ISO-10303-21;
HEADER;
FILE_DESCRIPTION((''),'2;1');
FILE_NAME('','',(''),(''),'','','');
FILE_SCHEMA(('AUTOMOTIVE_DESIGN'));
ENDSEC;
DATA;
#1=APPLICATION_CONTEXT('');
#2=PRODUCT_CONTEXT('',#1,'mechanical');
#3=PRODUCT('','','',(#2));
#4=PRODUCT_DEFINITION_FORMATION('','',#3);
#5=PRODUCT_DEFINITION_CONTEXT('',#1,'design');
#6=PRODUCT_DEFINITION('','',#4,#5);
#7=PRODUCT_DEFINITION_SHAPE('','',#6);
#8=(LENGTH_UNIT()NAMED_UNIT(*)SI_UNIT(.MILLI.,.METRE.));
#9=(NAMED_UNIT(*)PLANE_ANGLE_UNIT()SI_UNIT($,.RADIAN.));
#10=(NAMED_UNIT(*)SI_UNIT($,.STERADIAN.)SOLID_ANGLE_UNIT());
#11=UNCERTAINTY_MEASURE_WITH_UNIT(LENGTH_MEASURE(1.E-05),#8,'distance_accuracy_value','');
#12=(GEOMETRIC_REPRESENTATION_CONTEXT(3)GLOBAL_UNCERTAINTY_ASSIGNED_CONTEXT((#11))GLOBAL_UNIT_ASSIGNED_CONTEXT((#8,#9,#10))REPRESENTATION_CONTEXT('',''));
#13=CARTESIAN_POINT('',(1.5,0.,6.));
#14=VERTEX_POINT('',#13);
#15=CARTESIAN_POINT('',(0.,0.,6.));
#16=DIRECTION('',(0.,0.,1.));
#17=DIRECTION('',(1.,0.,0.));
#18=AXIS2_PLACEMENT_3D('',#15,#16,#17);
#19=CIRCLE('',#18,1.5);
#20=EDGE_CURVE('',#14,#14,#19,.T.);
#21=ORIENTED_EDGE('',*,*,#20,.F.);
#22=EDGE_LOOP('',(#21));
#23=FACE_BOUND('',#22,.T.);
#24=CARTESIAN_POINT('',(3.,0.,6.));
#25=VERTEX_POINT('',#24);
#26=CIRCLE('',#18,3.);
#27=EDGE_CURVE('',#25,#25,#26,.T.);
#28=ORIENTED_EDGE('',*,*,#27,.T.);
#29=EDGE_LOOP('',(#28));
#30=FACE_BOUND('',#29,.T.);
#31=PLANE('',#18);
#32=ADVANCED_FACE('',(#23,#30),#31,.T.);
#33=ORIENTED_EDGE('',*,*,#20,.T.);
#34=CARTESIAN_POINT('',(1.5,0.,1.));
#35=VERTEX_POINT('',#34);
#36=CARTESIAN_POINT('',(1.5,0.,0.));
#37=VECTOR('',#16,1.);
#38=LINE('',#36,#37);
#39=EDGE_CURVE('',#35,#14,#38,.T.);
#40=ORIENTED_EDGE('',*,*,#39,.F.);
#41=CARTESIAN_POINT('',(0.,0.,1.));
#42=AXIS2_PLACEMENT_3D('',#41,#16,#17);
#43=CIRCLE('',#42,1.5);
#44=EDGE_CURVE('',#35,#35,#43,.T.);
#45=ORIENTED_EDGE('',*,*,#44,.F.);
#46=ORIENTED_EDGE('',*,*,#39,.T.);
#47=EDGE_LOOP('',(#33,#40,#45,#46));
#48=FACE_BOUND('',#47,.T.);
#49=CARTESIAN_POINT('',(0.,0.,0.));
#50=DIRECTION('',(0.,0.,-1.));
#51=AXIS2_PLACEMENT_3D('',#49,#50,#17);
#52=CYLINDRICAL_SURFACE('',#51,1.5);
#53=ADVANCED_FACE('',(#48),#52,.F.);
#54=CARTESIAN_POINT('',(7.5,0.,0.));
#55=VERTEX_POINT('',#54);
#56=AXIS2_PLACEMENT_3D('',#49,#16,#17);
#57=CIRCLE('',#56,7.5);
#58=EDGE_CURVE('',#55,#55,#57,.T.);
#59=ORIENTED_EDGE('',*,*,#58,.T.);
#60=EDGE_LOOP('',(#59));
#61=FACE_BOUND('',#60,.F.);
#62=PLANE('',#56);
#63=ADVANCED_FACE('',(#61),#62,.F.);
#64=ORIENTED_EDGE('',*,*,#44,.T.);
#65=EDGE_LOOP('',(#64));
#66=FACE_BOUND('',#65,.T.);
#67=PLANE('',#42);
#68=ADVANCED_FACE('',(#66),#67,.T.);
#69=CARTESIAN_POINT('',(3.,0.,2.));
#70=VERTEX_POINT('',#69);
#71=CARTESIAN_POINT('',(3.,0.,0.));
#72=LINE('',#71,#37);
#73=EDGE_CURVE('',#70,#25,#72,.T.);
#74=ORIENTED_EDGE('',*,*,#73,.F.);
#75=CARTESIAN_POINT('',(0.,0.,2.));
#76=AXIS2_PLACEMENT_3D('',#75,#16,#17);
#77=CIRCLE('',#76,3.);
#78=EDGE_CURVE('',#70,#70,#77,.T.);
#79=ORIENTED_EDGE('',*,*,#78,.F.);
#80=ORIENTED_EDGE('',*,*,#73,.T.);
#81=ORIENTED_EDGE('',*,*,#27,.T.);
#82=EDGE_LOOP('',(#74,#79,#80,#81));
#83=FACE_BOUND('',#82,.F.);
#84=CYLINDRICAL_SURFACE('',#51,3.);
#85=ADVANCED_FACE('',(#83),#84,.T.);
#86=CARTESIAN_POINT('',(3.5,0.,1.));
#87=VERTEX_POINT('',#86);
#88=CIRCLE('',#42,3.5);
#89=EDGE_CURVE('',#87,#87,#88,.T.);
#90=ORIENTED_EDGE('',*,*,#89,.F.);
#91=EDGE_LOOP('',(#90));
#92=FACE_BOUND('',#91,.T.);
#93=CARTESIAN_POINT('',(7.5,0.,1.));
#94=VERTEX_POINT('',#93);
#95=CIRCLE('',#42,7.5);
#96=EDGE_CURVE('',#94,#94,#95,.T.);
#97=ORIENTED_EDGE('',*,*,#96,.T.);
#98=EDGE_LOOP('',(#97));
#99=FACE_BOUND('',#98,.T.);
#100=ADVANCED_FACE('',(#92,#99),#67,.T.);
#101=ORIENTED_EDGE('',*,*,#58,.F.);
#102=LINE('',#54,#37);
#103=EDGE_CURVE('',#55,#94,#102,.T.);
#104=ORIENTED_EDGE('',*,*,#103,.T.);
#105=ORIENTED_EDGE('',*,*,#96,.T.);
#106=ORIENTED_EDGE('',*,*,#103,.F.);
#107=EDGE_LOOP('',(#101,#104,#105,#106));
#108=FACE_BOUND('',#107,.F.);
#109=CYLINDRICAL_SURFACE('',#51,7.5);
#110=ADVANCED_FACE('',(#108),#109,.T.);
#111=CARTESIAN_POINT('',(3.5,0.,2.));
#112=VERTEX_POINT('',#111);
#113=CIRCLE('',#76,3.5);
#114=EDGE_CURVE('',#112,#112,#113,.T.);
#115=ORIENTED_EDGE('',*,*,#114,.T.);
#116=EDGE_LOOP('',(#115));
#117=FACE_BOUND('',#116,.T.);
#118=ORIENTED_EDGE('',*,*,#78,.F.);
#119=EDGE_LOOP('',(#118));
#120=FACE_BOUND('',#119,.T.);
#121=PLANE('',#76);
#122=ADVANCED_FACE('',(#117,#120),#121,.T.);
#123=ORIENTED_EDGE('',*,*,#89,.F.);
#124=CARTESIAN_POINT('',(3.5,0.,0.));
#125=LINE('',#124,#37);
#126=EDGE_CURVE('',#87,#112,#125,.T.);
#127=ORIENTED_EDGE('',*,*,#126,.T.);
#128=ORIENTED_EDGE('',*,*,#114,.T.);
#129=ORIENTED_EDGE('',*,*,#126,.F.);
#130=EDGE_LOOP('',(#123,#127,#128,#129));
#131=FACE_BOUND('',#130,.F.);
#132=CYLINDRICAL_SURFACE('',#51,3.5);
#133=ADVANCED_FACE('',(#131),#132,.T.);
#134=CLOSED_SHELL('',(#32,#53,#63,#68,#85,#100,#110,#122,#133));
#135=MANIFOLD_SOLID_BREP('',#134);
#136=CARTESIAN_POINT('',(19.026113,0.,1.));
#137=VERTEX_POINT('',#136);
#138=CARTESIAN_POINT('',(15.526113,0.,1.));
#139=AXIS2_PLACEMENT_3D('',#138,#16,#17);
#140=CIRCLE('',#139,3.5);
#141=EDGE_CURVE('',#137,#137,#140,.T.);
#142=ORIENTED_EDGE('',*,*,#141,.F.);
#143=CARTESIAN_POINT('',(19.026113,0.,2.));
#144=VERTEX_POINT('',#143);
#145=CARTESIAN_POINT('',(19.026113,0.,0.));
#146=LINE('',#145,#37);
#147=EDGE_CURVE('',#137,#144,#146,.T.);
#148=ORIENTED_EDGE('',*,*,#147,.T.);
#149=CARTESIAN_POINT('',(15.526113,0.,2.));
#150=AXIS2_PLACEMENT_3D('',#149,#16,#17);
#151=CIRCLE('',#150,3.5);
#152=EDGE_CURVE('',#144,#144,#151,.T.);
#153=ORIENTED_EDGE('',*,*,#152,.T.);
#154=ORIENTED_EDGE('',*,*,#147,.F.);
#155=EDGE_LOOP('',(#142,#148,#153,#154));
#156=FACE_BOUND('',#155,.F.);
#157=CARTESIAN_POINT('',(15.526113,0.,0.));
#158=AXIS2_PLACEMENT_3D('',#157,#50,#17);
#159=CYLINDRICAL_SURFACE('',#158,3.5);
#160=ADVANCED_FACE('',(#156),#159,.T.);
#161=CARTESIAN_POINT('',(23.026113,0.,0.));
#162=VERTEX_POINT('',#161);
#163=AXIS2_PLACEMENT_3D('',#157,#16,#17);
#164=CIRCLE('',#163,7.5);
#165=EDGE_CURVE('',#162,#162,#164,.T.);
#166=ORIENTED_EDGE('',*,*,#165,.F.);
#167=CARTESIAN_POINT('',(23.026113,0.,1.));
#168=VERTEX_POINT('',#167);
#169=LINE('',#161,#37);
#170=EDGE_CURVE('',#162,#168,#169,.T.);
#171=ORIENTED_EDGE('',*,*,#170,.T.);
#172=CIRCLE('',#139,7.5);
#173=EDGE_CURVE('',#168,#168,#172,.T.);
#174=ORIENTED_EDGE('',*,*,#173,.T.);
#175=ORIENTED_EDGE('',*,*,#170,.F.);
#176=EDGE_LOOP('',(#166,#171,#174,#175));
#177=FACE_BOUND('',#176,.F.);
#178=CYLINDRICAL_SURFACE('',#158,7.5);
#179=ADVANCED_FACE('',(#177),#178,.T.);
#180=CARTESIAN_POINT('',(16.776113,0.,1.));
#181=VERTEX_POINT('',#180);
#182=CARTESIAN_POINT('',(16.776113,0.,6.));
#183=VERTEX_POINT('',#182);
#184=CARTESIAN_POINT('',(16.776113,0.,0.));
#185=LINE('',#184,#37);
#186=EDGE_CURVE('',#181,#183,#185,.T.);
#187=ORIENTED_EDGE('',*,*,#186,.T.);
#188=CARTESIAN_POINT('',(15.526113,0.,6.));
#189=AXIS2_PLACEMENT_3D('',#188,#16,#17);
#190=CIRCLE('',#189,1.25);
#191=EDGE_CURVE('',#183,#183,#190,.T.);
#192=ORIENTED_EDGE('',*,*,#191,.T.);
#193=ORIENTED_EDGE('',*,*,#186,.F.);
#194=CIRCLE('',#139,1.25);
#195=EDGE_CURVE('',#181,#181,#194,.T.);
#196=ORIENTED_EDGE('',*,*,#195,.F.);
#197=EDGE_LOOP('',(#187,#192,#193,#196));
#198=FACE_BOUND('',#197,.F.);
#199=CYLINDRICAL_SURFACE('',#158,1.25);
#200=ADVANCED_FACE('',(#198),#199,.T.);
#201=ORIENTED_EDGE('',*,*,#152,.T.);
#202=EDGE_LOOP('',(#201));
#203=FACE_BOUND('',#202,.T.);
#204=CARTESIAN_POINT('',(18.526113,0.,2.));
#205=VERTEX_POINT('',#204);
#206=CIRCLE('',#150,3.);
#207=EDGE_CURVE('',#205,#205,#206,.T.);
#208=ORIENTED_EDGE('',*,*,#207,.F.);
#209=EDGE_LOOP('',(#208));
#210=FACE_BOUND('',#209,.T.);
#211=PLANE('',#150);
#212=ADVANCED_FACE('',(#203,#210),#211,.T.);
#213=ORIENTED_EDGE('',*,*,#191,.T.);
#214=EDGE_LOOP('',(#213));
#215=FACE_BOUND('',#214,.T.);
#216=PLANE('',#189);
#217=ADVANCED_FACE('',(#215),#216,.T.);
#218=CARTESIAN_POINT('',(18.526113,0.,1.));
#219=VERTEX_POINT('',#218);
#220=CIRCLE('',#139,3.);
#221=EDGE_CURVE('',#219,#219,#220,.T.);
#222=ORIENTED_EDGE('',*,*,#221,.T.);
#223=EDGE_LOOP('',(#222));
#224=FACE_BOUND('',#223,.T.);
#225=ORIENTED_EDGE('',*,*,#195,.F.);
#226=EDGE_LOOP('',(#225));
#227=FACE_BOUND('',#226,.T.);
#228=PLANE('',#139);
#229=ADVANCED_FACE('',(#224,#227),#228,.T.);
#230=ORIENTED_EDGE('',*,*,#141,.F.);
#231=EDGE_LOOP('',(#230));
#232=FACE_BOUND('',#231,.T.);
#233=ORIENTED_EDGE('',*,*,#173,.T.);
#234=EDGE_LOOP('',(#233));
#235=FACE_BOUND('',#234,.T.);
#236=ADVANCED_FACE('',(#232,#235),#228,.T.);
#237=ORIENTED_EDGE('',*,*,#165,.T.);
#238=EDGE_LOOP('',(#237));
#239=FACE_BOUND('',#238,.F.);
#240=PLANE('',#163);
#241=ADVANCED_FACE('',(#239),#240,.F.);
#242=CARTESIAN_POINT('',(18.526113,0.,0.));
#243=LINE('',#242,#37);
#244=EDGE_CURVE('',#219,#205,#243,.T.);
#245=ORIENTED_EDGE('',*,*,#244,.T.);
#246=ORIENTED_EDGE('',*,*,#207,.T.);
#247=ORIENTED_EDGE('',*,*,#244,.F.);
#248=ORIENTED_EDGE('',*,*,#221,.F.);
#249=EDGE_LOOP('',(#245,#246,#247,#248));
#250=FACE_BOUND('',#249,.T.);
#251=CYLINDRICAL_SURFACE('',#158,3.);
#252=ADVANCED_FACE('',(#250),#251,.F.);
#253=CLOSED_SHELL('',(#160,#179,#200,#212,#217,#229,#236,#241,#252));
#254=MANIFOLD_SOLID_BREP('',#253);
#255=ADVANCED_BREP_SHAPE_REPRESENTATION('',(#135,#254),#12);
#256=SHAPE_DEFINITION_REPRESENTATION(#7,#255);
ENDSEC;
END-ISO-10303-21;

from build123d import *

# Parameters (mm, degrees)
F0_R     = 7.5
F0_R_2   = 3.5
F1_DEPTH = 1
F0_R_3   = 3
F2_DEPTH = 2
F0_R_4   = 1.5
F0_R_5   = 1.25
F3_DEPTH = 6
F4_DEPTH = 1


with BuildPart() as f1:
    # F0 (on Top) → F1 (new body)
    with BuildSketch(Plane.XY):
        Circle(F0_R)
        Circle(F0_R_2, mode=Mode.SUBTRACT)
        with Locations((15.526113, 0)):
            Circle(F0_R)
        with Locations((15.526113, 0)):
            Circle(F0_R_2, mode=Mode.SUBTRACT)
    extrude(amount=F1_DEPTH)

    # F0 (on Top) → F2 (join)
    with BuildSketch(Plane.XY):
        Circle(F0_R_2)
        Circle(F0_R_3, mode=Mode.SUBTRACT)
        with Locations((15.526113, 0)):
            Circle(F0_R_2)
        with Locations((15.526113, 0)):
            Circle(F0_R_3, mode=Mode.SUBTRACT)
    extrude(amount=F2_DEPTH)

    # F0 (on Top) → F3 (join)
    with BuildSketch(Plane.XY):
        Circle(F0_R_3)
        Circle(F0_R_4, mode=Mode.SUBTRACT)
        with Locations((15.526113, 0)):
            Circle(F0_R_5)
    extrude(amount=F3_DEPTH)

    # F0 (on Top) → F4 (join)
    with BuildSketch(Plane.XY):
        Circle(F0_R_4)
        with Locations((15.526113, 0)):
            Circle(F0_R_3)
        with Locations((15.526113, 0)):
            Circle(F0_R_5, mode=Mode.SUBTRACT)
    extrude(amount=F4_DEPTH)


solid = f1.part
